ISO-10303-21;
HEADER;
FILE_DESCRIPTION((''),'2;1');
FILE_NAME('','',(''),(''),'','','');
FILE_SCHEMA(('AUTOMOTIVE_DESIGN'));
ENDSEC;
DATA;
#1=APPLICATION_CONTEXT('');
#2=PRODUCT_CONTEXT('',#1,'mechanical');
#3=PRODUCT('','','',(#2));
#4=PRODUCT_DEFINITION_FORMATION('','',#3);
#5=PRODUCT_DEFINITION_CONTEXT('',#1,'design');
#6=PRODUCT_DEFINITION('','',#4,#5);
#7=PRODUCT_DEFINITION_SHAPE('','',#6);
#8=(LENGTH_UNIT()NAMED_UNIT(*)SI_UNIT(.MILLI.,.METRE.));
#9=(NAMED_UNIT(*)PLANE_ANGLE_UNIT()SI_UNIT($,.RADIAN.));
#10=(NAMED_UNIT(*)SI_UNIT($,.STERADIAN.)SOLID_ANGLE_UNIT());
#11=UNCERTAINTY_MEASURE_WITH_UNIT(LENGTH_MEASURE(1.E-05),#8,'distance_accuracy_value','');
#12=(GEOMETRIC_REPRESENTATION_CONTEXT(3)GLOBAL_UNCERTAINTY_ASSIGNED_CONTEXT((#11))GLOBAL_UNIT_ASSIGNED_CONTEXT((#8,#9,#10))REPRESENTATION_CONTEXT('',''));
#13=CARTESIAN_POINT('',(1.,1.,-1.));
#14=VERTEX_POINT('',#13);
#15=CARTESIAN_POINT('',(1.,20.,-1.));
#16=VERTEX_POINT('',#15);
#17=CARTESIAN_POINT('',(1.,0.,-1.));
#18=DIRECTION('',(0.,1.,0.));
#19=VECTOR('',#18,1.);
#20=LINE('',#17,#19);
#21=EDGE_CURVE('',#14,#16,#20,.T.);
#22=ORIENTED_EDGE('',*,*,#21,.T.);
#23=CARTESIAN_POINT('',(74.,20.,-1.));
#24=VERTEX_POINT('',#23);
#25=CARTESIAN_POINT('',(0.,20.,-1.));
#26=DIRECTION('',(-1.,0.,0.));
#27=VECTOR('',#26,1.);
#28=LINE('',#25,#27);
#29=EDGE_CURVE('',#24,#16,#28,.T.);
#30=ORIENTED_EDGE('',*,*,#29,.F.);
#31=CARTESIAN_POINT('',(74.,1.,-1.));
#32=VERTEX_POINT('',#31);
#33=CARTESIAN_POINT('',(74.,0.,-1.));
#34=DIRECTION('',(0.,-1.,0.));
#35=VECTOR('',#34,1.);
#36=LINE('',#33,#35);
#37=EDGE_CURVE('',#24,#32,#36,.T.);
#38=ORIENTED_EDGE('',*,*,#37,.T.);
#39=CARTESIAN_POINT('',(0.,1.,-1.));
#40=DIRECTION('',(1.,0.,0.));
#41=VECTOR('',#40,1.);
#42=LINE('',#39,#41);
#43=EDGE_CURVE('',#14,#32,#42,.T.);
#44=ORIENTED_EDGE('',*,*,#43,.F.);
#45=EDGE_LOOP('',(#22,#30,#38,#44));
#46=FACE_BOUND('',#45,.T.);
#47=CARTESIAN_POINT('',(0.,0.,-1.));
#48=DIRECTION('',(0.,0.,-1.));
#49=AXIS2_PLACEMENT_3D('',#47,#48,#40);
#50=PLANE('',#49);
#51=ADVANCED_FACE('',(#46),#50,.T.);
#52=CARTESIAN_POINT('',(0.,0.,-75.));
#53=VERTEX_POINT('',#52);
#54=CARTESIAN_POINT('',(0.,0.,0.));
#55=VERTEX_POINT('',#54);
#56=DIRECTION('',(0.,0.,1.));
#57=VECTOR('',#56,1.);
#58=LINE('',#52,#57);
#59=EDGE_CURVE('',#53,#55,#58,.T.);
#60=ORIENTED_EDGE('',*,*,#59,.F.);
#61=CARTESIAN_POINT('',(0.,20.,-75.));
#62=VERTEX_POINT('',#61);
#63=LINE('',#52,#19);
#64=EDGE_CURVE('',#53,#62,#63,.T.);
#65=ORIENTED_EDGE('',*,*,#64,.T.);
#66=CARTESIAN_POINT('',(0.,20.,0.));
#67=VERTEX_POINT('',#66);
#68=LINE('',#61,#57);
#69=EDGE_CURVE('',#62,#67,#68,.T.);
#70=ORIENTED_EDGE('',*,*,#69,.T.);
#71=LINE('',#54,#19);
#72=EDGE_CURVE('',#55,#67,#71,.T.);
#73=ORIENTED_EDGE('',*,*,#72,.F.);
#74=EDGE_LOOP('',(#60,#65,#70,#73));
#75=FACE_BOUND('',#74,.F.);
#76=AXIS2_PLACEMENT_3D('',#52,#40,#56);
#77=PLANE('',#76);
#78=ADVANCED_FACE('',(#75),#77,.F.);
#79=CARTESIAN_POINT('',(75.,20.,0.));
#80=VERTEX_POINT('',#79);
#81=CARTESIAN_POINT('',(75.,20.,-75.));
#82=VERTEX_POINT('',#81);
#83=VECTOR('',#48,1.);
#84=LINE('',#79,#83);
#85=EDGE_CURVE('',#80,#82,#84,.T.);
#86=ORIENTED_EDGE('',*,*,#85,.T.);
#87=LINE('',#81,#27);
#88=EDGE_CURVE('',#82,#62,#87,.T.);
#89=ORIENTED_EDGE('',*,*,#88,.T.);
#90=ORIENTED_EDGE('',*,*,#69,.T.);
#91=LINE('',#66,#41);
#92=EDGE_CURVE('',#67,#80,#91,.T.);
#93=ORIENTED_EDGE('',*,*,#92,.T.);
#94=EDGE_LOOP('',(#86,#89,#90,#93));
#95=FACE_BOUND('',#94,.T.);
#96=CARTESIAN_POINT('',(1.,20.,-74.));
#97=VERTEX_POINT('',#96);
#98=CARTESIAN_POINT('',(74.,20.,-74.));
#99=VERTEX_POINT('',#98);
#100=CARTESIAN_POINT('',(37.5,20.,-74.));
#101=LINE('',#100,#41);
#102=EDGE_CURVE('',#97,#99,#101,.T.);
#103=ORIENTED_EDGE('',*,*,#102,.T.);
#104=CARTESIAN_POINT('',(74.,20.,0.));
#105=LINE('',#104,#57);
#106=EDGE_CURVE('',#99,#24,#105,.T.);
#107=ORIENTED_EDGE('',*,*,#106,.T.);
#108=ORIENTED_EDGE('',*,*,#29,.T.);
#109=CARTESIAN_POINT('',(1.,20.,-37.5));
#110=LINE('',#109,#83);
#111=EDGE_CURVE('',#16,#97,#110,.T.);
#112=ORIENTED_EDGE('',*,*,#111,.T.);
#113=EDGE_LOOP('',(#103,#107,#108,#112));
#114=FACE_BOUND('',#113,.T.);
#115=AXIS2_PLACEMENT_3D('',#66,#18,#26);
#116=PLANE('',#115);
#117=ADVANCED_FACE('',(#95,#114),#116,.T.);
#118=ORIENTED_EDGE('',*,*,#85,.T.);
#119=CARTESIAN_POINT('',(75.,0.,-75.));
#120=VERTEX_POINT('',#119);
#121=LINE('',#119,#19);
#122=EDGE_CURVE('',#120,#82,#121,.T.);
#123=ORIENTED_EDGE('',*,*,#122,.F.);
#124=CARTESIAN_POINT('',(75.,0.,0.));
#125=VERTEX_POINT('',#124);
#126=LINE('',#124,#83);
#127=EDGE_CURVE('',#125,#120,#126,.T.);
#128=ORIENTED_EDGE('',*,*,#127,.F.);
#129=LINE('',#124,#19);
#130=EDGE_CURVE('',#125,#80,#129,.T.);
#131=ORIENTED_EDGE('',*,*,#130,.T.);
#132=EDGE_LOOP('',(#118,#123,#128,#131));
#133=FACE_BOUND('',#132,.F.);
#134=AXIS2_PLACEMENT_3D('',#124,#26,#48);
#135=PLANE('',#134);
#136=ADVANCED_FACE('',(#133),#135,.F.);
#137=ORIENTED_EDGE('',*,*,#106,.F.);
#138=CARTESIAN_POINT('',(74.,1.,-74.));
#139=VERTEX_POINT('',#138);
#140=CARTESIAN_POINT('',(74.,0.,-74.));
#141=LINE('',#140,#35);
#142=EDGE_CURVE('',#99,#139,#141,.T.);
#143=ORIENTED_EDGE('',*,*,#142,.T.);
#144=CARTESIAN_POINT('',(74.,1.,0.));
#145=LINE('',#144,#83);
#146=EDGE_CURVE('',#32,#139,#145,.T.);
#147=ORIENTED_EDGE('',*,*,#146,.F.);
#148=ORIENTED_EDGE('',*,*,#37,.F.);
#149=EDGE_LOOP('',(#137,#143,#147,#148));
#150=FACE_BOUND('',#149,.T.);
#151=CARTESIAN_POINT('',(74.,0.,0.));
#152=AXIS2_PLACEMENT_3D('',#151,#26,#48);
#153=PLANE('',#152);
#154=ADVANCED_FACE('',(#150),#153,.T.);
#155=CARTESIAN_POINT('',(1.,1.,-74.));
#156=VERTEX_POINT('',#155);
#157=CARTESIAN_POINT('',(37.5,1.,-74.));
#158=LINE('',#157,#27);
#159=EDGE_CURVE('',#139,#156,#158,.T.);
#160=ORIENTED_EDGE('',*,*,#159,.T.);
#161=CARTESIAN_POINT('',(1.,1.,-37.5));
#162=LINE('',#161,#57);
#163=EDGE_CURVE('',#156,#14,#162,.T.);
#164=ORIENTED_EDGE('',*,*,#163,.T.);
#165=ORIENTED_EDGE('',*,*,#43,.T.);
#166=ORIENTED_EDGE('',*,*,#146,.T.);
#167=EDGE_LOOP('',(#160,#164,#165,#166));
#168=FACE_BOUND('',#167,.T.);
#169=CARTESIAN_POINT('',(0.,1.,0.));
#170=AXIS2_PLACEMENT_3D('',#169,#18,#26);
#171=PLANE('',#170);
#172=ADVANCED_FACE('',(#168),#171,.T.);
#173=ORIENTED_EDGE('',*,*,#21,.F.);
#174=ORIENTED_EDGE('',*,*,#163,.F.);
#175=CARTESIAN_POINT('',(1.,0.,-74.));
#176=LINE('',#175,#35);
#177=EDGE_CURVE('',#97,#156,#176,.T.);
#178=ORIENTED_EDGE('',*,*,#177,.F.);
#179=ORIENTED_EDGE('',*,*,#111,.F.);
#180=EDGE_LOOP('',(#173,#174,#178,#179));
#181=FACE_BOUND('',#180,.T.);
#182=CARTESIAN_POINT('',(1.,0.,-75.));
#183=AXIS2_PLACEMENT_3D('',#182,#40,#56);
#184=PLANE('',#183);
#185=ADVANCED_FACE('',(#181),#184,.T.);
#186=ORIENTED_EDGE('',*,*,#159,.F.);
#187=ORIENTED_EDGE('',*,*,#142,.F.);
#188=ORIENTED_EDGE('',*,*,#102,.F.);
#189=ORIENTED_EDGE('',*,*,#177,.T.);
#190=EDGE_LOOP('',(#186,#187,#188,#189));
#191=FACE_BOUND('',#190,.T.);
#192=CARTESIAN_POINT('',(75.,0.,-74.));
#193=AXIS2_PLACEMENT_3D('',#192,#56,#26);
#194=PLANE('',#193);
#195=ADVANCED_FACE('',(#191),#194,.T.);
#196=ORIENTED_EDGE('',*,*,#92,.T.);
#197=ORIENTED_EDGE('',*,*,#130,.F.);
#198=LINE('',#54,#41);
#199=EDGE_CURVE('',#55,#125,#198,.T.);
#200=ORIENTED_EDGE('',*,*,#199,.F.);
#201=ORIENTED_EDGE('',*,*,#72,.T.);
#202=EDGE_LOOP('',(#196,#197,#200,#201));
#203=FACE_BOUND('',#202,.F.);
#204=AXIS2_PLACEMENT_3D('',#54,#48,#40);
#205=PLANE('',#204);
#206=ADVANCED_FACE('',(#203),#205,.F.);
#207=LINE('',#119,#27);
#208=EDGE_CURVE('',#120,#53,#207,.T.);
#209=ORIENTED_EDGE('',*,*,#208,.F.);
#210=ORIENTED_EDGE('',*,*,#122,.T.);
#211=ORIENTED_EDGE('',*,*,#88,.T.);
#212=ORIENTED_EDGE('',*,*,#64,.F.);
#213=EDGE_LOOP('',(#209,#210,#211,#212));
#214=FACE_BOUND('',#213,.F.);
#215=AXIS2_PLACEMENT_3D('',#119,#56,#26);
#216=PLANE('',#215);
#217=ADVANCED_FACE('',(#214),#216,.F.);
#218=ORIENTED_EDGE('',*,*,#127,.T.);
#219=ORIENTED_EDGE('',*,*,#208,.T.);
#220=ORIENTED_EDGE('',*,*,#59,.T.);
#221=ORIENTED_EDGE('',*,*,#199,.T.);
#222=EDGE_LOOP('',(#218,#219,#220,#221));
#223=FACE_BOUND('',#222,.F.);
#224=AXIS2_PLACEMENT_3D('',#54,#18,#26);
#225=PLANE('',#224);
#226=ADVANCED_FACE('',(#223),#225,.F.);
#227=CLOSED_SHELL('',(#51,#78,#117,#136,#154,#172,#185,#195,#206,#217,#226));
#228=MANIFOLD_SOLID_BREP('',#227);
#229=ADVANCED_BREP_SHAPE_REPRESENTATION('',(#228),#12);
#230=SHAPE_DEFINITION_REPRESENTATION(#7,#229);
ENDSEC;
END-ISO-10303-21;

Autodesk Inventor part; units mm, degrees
ref_plane "YZ Plane" through (0, 0, 0) normal (1, 0, 0) x (0, 1, 0)
ref_plane "XZ Plane" through (0, 0, 0) normal (0, 1, 0) x (-1, 0, 0)
ref_plane "XY Plane" through (0, 0, 0) normal (0, 0, 1) x (1, 0, 0)
sketch "Sketch1" plane through (0, 0, 0) normal (0, 1, 0) x (-1, 0, 0)
  line L0 (0, 0) -> (-75, 0)
  line L1 (-75, 0) -> (-75, -75)
  line L2 (-75, -75) -> (0, -75)
  line L3 (0, -75) -> (0, 0)
  dimension "d0" = 75
  dimension "d1" = 75
extrude "Extrusion1" add sketch "Sketch1" along normal blind 20
shell "Shell1" thickness 1 removed faces 1 at (50, 20, -25)
properties part number "batteries"
